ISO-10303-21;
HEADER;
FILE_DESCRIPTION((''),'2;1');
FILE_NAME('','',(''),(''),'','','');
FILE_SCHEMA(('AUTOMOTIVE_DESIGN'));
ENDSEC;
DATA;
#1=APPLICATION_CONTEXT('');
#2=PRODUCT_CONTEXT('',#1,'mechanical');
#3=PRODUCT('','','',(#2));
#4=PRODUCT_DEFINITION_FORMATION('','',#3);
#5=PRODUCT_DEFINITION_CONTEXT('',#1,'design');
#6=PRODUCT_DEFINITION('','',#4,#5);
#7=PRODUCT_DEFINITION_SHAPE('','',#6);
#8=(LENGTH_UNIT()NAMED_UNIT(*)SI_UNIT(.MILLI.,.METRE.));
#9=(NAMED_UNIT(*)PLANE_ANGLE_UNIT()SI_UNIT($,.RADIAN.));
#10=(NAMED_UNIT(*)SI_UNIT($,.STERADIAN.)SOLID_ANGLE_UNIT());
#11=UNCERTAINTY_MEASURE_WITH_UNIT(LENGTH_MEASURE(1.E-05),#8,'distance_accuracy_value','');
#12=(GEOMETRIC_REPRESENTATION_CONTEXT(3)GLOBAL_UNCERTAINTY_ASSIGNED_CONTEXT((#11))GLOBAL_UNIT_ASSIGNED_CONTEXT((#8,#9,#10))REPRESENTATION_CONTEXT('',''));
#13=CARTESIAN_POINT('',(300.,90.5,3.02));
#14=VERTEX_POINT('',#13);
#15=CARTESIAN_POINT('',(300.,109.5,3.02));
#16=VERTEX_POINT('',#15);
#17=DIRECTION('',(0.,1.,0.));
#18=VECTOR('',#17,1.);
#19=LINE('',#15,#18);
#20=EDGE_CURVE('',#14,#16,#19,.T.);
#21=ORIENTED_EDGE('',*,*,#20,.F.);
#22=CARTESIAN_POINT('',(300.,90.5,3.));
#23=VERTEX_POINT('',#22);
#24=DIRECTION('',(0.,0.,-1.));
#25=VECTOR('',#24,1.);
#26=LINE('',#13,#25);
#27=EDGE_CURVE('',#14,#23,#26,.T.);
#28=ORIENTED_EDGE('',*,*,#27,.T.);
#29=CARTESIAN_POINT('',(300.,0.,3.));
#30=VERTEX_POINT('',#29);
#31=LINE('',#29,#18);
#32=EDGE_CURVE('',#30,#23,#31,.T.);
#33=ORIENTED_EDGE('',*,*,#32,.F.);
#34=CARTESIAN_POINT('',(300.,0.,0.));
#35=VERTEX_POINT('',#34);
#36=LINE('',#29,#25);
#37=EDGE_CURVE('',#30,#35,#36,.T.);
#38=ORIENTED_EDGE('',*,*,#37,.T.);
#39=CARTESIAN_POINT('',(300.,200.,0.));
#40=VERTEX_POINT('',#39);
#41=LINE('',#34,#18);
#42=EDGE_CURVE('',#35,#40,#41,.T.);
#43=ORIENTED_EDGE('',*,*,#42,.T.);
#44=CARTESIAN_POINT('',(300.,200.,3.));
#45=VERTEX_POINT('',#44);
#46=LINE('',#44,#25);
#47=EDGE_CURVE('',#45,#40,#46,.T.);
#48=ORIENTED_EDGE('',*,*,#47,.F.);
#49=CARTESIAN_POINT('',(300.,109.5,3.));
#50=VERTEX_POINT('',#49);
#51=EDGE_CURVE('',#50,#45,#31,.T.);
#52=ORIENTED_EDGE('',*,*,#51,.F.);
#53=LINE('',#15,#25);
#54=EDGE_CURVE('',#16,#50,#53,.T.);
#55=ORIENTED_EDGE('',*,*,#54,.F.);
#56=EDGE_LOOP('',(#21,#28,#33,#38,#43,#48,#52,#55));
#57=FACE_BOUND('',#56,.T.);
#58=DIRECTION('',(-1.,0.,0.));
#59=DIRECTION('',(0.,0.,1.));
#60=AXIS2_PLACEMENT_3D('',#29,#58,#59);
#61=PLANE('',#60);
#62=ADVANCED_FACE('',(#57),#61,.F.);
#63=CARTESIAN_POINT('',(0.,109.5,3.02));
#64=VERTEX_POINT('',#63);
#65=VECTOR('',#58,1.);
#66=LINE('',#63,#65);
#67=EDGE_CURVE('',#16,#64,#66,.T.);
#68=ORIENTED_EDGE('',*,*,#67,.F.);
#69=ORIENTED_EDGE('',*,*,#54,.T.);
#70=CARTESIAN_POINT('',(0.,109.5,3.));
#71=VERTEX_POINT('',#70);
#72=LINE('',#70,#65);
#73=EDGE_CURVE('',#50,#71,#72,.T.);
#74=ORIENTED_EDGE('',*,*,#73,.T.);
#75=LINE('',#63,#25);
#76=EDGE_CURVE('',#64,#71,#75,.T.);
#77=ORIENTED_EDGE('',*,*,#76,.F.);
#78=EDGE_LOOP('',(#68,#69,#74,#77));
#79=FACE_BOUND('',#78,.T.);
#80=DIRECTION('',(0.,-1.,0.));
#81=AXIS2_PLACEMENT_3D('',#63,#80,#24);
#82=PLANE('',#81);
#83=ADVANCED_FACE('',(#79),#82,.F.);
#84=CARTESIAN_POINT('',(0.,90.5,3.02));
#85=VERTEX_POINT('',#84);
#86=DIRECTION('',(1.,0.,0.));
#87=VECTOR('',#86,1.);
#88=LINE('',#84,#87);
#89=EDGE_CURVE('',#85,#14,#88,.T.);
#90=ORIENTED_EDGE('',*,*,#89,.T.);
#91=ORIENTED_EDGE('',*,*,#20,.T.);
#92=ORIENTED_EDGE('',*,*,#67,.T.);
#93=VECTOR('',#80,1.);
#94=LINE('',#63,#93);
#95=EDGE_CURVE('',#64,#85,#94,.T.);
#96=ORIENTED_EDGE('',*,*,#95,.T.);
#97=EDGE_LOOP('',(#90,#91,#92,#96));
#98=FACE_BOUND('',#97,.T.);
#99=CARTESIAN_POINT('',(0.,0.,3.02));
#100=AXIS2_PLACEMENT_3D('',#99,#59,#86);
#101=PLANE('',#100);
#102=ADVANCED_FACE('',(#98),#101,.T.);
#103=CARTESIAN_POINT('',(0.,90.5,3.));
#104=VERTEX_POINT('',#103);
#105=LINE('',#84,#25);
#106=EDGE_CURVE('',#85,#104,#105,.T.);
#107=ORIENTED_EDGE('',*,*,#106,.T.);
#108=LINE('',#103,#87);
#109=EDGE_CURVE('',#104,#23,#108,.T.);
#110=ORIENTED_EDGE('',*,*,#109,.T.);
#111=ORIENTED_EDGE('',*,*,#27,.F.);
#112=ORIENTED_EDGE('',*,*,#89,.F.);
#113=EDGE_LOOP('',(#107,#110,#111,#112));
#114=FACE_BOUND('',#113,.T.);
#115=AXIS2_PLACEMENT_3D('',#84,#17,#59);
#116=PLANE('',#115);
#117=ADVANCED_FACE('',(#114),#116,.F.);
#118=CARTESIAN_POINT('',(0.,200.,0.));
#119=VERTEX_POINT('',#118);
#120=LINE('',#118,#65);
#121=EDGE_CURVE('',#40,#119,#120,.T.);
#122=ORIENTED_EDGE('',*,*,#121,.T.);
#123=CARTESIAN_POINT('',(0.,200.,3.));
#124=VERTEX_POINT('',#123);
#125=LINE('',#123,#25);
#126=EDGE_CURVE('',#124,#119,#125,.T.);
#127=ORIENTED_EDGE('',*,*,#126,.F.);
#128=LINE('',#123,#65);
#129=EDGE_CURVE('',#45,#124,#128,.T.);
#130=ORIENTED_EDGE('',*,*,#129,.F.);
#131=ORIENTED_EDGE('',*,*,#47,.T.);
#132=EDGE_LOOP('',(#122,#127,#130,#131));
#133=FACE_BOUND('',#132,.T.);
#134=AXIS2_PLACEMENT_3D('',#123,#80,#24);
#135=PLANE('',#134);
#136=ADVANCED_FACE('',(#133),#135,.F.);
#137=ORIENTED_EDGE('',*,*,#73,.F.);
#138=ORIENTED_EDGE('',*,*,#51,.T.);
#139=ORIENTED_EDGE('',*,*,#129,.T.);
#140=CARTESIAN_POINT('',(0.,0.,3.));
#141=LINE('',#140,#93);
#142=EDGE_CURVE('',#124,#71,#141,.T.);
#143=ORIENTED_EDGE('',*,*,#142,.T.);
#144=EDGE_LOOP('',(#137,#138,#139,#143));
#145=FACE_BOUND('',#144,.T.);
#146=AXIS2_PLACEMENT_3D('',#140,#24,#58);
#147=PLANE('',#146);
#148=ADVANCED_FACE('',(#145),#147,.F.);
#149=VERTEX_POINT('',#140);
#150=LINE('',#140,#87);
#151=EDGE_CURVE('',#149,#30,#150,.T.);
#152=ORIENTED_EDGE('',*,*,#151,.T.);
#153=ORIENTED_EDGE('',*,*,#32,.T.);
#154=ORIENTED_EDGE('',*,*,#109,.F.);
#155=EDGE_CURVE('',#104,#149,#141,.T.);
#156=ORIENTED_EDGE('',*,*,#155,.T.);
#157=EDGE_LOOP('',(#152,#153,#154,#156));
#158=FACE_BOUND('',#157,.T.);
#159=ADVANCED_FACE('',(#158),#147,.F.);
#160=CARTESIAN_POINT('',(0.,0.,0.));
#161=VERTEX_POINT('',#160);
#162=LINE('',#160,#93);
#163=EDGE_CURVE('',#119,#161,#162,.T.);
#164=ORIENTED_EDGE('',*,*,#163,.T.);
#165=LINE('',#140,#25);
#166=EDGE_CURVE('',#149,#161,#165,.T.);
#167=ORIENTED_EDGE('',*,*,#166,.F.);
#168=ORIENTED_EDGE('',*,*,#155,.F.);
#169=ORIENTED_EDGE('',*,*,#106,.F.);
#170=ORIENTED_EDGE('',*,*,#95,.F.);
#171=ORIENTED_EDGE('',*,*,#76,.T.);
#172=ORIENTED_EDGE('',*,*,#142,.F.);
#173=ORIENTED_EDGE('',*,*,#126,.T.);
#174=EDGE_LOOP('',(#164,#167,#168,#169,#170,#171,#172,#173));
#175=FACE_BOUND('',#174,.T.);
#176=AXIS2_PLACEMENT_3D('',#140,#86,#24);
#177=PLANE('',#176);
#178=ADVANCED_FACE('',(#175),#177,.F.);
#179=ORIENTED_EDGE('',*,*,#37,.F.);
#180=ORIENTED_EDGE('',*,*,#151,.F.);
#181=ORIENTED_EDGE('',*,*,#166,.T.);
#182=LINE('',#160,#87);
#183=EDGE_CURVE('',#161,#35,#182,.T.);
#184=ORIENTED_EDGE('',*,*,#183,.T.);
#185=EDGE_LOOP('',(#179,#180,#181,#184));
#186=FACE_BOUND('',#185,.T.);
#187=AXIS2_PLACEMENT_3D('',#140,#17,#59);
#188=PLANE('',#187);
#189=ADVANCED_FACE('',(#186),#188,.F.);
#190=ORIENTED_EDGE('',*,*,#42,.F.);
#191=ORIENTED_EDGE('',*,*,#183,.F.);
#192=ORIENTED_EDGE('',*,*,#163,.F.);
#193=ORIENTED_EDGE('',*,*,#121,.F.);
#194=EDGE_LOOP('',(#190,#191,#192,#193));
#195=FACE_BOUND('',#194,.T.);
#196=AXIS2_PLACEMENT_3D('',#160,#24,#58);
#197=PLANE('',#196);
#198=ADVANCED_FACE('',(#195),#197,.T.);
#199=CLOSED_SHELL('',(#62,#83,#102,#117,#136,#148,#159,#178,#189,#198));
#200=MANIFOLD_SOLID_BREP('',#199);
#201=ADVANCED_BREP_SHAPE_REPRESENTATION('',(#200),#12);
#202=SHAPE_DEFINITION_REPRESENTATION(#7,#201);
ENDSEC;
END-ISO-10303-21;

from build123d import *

# Parameters (mm, degrees)
SZKIC1_W                    = 300
SZKIC1_H                    = 200
DODANIE_WYCI_GNI_CIE1_DEPTH = 3
SZKIC2_W                    = 300
SZKIC2_H                    = 19
DODANIE_WYCI_GNI_CIE2_DEPTH = 0.02


with BuildPart() as part:
    # Szkic1 → Dodanie-wyciągnięcie1 (new body)
    with BuildSketch(Plane.XY):
        with Locations((150, 100)):
            Rectangle(SZKIC1_W, SZKIC1_H)
    extrude(amount=DODANIE_WYCI_GNI_CIE1_DEPTH)

    # Szkic2 → Dodanie-wyciągnięcie2 (add)
    with BuildSketch(Plane.XY.offset(3)):
        with Locations((150, 100)):
            Rectangle(SZKIC2_W, SZKIC2_H)
    extrude(amount=DODANIE_WYCI_GNI_CIE2_DEPTH)


solid = part.part
